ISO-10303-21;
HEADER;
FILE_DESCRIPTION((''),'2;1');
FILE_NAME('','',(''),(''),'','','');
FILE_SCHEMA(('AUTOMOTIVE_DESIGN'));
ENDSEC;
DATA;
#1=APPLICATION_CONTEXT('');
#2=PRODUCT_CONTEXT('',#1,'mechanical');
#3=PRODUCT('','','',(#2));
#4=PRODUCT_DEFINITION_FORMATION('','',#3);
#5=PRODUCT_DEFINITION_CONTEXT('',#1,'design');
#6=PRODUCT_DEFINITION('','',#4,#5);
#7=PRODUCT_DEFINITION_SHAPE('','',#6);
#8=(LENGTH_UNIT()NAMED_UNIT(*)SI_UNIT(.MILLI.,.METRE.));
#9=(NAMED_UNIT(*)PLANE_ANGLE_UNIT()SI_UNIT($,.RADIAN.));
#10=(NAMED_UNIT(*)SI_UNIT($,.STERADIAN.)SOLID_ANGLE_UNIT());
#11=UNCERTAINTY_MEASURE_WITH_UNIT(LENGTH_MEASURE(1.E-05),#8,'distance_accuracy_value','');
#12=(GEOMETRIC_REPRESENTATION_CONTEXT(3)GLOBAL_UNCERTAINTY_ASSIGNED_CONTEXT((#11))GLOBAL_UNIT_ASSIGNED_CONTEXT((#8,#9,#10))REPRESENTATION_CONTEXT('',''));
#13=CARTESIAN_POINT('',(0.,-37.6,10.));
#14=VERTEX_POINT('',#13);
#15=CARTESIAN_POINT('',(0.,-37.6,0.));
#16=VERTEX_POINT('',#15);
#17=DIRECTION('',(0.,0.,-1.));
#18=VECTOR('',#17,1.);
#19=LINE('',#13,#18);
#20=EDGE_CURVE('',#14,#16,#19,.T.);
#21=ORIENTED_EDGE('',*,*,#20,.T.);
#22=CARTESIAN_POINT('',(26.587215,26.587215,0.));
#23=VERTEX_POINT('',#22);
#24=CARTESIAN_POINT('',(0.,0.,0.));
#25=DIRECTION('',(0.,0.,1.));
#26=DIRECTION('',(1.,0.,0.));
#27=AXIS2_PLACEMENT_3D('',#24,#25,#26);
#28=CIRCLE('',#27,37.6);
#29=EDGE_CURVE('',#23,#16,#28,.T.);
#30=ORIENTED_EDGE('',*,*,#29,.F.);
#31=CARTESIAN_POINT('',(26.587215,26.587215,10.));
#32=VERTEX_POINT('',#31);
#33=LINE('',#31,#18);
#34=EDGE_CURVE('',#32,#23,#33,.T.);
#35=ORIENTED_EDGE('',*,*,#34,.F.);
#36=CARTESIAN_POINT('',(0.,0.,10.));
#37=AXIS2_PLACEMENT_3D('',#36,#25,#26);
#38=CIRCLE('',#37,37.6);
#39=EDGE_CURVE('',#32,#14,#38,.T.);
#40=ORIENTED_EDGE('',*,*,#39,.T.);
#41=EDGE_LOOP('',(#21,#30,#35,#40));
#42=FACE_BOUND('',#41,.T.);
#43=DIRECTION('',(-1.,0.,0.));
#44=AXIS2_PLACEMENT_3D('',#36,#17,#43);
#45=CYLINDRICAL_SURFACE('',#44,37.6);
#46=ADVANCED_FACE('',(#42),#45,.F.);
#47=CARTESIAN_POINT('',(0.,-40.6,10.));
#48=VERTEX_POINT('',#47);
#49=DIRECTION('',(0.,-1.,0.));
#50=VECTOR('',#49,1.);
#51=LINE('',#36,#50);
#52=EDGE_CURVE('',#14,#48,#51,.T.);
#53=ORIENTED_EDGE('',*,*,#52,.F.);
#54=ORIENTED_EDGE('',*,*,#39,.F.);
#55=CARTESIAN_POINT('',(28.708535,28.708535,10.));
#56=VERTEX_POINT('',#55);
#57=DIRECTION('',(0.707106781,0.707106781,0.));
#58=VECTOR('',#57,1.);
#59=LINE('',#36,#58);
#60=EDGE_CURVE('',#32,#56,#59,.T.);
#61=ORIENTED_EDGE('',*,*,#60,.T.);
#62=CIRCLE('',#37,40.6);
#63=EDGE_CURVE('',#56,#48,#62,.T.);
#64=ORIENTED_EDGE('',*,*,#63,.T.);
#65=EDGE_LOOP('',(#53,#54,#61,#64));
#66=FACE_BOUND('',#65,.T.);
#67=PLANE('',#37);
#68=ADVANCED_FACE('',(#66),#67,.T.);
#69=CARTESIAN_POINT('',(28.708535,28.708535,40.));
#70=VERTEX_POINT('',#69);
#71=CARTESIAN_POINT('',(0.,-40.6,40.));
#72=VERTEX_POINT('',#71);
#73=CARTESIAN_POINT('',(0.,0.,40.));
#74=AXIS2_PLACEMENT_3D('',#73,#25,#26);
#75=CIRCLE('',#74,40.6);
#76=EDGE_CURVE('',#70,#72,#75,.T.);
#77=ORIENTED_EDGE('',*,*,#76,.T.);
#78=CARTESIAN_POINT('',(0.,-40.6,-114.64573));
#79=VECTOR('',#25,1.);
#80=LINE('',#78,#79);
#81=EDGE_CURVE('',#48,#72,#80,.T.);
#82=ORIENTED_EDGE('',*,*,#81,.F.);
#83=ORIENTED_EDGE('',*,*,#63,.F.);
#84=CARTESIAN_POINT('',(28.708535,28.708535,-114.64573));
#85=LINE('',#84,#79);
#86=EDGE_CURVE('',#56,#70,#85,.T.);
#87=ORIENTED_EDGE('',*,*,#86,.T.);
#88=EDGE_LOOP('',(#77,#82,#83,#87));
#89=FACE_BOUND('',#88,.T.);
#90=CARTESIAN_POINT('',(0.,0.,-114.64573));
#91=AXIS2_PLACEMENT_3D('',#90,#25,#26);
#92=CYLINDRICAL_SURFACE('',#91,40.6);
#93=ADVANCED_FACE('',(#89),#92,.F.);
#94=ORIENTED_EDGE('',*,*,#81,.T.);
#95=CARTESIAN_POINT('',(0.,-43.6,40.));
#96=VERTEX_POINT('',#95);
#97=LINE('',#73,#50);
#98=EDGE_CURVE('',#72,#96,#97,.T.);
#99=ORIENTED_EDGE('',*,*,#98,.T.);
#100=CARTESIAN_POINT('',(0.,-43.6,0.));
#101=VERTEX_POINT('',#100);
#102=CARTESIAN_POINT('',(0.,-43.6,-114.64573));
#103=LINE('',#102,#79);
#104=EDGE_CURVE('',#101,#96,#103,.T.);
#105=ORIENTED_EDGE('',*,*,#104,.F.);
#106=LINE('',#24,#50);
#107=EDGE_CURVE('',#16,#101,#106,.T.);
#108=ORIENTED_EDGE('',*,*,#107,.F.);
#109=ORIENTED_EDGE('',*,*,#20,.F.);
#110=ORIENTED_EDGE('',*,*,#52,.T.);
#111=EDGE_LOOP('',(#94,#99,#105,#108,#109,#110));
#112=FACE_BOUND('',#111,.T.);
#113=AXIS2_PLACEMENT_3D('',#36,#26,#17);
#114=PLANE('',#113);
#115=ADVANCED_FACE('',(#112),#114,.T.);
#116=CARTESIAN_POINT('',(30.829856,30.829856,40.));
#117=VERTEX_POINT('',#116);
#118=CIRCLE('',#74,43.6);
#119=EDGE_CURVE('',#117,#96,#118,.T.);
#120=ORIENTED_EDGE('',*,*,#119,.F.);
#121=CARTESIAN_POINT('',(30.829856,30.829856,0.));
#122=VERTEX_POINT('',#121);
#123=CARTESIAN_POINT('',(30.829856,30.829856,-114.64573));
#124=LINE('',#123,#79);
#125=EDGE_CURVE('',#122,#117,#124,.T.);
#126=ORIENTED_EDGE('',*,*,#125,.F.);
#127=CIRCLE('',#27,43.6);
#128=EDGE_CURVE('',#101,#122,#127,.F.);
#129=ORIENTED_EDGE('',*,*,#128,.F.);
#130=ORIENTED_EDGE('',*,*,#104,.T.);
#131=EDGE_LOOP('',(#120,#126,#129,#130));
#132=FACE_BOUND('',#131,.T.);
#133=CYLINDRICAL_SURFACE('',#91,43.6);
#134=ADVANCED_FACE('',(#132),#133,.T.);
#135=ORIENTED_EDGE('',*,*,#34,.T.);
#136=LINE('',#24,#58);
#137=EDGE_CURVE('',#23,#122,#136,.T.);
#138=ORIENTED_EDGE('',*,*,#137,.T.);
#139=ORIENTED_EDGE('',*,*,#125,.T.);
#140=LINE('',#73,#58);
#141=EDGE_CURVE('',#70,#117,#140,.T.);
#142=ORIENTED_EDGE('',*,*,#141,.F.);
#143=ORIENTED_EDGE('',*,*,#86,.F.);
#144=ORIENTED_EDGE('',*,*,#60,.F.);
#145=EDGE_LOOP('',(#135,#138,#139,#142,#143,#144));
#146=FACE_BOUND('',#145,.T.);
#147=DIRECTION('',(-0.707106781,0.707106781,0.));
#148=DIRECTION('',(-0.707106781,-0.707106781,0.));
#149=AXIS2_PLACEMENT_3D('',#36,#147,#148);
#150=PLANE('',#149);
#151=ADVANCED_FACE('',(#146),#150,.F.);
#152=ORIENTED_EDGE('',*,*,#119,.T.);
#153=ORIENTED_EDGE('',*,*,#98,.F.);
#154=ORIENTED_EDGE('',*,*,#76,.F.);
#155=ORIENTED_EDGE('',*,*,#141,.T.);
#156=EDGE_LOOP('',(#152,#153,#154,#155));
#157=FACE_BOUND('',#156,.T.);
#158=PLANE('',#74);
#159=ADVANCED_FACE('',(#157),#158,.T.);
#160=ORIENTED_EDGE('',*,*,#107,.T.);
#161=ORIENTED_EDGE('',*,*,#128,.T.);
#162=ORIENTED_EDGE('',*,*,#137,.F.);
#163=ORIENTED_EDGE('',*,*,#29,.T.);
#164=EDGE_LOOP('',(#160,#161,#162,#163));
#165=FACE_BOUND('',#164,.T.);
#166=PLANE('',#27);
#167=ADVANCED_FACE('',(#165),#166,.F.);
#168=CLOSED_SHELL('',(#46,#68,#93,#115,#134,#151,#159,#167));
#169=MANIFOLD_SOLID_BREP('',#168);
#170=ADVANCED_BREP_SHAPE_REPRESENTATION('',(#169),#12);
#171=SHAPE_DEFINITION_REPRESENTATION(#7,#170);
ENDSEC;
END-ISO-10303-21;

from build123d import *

# Parameters (mm, degrees)
EXTRUDE_1_DEPTH      = 10
EXTRUDE_2_DEPTH      = 30
EXTRUDE_2_DEPTH_BACK = 10


with BuildPart() as part:
    # 草图1 → 凸台-拉伸1 (new body)
    with BuildSketch(Plane.XY):
        with BuildLine():
            Line((0, -40.6), (0, -37.6))
            ThreePointArc((0, -37.6), (-34.737870422, 14.388897057), (26.587214973, 26.587214973))
            Line((26.587214973, 26.587214973), (28.708535316, 28.708535316))
            ThreePointArc((28.708535316, 28.708535316), (-37.50950902, 15.536947354), (0, -40.6))
        make_face()
    extrude(amount=EXTRUDE_1_DEPTH)

    # 草图2 → 凸台-拉伸2 (add, two sides: drawn at the far end of the back side and taken through both)
    with BuildSketch(Plane.XY.offset(10).offset(-EXTRUDE_2_DEPTH_BACK)):
        with BuildLine():
            ThreePointArc((0, -40.6), (-37.50950902, 15.536947354), (28.708535316, 28.708535316))
            Line((28.708535316, 28.708535316), (30.82985566, 30.82985566))
            ThreePointArc((30.82985566, 30.82985566), (-40.281147617, 16.684997651), (0, -43.6))
            Line((0, -43.6), (0, -40.6))
        make_face()
    extrude(amount=EXTRUDE_2_DEPTH + EXTRUDE_2_DEPTH_BACK)


solid = part.part
